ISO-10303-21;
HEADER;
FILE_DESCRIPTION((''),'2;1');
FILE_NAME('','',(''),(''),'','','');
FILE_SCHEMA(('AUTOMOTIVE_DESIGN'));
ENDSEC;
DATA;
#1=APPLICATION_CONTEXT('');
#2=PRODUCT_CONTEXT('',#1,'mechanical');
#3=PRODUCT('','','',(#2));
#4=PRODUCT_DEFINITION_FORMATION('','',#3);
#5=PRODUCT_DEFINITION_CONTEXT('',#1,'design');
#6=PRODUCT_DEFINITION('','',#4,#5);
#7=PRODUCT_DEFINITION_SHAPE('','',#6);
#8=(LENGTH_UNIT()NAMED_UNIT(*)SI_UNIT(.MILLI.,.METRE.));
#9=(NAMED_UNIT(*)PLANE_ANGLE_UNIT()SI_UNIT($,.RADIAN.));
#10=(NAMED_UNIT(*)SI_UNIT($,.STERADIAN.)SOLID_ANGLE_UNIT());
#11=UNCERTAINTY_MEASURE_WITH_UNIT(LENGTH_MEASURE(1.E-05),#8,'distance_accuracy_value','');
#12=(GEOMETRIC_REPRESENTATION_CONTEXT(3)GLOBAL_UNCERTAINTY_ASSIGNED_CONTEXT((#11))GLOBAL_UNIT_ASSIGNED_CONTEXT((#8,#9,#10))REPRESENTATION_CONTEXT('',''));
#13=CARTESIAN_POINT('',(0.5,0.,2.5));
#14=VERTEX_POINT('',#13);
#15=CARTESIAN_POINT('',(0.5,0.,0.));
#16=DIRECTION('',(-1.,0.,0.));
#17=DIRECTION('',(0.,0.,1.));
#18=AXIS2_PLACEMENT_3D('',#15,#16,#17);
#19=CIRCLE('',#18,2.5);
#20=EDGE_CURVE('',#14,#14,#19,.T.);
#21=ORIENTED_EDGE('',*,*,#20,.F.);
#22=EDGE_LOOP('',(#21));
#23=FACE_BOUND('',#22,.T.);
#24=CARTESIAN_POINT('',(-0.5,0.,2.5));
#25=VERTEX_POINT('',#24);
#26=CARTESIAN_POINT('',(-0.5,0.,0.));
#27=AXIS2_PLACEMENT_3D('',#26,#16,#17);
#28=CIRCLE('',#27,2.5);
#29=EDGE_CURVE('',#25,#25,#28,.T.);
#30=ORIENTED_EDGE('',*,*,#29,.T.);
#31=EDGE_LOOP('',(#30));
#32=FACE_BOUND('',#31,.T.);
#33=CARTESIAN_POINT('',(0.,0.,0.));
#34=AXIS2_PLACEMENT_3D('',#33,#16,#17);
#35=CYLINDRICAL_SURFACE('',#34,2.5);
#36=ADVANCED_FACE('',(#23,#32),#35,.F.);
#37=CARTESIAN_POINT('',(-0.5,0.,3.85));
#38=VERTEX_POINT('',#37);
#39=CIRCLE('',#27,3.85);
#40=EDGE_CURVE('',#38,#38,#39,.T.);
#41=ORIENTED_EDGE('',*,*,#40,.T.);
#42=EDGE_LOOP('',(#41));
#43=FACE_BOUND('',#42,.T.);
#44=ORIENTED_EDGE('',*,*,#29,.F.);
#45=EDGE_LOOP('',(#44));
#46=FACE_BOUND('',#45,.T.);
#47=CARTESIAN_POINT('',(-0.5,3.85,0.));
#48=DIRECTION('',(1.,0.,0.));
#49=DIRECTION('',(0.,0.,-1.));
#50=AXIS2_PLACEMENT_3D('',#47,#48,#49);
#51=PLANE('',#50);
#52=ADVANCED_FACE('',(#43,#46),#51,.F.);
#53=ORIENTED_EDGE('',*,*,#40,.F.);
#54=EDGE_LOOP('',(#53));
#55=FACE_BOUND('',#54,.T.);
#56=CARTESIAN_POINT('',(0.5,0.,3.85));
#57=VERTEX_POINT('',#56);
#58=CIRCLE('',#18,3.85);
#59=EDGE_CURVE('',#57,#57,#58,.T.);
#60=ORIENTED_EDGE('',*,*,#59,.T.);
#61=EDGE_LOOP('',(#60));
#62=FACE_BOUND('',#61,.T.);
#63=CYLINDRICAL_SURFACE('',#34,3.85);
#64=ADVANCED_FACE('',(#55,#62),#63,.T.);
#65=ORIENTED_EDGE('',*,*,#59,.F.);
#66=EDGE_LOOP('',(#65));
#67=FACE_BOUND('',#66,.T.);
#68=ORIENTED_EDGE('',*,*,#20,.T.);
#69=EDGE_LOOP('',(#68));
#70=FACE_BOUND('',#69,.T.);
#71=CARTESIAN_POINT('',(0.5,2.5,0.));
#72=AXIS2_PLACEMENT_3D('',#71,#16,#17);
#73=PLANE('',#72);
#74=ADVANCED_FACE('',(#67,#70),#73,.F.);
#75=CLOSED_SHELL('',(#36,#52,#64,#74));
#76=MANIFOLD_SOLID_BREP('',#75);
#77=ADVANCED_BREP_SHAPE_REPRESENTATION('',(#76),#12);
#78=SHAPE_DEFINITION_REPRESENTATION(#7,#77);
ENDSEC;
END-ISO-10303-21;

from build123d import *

# Parameters (mm, degrees)
SKETCH1_W = 1
SKETCH1_H = 1.35


with BuildPart() as part:
    # Sketch1 → Revolve1 (revolve)
    with BuildSketch(Plane.XY):
        with Locations((0, 3.175)):
            Rectangle(SKETCH1_W, SKETCH1_H)
    revolve(axis=Axis((0, 0, 0), (1, 0, 0)))


solid = part.part
